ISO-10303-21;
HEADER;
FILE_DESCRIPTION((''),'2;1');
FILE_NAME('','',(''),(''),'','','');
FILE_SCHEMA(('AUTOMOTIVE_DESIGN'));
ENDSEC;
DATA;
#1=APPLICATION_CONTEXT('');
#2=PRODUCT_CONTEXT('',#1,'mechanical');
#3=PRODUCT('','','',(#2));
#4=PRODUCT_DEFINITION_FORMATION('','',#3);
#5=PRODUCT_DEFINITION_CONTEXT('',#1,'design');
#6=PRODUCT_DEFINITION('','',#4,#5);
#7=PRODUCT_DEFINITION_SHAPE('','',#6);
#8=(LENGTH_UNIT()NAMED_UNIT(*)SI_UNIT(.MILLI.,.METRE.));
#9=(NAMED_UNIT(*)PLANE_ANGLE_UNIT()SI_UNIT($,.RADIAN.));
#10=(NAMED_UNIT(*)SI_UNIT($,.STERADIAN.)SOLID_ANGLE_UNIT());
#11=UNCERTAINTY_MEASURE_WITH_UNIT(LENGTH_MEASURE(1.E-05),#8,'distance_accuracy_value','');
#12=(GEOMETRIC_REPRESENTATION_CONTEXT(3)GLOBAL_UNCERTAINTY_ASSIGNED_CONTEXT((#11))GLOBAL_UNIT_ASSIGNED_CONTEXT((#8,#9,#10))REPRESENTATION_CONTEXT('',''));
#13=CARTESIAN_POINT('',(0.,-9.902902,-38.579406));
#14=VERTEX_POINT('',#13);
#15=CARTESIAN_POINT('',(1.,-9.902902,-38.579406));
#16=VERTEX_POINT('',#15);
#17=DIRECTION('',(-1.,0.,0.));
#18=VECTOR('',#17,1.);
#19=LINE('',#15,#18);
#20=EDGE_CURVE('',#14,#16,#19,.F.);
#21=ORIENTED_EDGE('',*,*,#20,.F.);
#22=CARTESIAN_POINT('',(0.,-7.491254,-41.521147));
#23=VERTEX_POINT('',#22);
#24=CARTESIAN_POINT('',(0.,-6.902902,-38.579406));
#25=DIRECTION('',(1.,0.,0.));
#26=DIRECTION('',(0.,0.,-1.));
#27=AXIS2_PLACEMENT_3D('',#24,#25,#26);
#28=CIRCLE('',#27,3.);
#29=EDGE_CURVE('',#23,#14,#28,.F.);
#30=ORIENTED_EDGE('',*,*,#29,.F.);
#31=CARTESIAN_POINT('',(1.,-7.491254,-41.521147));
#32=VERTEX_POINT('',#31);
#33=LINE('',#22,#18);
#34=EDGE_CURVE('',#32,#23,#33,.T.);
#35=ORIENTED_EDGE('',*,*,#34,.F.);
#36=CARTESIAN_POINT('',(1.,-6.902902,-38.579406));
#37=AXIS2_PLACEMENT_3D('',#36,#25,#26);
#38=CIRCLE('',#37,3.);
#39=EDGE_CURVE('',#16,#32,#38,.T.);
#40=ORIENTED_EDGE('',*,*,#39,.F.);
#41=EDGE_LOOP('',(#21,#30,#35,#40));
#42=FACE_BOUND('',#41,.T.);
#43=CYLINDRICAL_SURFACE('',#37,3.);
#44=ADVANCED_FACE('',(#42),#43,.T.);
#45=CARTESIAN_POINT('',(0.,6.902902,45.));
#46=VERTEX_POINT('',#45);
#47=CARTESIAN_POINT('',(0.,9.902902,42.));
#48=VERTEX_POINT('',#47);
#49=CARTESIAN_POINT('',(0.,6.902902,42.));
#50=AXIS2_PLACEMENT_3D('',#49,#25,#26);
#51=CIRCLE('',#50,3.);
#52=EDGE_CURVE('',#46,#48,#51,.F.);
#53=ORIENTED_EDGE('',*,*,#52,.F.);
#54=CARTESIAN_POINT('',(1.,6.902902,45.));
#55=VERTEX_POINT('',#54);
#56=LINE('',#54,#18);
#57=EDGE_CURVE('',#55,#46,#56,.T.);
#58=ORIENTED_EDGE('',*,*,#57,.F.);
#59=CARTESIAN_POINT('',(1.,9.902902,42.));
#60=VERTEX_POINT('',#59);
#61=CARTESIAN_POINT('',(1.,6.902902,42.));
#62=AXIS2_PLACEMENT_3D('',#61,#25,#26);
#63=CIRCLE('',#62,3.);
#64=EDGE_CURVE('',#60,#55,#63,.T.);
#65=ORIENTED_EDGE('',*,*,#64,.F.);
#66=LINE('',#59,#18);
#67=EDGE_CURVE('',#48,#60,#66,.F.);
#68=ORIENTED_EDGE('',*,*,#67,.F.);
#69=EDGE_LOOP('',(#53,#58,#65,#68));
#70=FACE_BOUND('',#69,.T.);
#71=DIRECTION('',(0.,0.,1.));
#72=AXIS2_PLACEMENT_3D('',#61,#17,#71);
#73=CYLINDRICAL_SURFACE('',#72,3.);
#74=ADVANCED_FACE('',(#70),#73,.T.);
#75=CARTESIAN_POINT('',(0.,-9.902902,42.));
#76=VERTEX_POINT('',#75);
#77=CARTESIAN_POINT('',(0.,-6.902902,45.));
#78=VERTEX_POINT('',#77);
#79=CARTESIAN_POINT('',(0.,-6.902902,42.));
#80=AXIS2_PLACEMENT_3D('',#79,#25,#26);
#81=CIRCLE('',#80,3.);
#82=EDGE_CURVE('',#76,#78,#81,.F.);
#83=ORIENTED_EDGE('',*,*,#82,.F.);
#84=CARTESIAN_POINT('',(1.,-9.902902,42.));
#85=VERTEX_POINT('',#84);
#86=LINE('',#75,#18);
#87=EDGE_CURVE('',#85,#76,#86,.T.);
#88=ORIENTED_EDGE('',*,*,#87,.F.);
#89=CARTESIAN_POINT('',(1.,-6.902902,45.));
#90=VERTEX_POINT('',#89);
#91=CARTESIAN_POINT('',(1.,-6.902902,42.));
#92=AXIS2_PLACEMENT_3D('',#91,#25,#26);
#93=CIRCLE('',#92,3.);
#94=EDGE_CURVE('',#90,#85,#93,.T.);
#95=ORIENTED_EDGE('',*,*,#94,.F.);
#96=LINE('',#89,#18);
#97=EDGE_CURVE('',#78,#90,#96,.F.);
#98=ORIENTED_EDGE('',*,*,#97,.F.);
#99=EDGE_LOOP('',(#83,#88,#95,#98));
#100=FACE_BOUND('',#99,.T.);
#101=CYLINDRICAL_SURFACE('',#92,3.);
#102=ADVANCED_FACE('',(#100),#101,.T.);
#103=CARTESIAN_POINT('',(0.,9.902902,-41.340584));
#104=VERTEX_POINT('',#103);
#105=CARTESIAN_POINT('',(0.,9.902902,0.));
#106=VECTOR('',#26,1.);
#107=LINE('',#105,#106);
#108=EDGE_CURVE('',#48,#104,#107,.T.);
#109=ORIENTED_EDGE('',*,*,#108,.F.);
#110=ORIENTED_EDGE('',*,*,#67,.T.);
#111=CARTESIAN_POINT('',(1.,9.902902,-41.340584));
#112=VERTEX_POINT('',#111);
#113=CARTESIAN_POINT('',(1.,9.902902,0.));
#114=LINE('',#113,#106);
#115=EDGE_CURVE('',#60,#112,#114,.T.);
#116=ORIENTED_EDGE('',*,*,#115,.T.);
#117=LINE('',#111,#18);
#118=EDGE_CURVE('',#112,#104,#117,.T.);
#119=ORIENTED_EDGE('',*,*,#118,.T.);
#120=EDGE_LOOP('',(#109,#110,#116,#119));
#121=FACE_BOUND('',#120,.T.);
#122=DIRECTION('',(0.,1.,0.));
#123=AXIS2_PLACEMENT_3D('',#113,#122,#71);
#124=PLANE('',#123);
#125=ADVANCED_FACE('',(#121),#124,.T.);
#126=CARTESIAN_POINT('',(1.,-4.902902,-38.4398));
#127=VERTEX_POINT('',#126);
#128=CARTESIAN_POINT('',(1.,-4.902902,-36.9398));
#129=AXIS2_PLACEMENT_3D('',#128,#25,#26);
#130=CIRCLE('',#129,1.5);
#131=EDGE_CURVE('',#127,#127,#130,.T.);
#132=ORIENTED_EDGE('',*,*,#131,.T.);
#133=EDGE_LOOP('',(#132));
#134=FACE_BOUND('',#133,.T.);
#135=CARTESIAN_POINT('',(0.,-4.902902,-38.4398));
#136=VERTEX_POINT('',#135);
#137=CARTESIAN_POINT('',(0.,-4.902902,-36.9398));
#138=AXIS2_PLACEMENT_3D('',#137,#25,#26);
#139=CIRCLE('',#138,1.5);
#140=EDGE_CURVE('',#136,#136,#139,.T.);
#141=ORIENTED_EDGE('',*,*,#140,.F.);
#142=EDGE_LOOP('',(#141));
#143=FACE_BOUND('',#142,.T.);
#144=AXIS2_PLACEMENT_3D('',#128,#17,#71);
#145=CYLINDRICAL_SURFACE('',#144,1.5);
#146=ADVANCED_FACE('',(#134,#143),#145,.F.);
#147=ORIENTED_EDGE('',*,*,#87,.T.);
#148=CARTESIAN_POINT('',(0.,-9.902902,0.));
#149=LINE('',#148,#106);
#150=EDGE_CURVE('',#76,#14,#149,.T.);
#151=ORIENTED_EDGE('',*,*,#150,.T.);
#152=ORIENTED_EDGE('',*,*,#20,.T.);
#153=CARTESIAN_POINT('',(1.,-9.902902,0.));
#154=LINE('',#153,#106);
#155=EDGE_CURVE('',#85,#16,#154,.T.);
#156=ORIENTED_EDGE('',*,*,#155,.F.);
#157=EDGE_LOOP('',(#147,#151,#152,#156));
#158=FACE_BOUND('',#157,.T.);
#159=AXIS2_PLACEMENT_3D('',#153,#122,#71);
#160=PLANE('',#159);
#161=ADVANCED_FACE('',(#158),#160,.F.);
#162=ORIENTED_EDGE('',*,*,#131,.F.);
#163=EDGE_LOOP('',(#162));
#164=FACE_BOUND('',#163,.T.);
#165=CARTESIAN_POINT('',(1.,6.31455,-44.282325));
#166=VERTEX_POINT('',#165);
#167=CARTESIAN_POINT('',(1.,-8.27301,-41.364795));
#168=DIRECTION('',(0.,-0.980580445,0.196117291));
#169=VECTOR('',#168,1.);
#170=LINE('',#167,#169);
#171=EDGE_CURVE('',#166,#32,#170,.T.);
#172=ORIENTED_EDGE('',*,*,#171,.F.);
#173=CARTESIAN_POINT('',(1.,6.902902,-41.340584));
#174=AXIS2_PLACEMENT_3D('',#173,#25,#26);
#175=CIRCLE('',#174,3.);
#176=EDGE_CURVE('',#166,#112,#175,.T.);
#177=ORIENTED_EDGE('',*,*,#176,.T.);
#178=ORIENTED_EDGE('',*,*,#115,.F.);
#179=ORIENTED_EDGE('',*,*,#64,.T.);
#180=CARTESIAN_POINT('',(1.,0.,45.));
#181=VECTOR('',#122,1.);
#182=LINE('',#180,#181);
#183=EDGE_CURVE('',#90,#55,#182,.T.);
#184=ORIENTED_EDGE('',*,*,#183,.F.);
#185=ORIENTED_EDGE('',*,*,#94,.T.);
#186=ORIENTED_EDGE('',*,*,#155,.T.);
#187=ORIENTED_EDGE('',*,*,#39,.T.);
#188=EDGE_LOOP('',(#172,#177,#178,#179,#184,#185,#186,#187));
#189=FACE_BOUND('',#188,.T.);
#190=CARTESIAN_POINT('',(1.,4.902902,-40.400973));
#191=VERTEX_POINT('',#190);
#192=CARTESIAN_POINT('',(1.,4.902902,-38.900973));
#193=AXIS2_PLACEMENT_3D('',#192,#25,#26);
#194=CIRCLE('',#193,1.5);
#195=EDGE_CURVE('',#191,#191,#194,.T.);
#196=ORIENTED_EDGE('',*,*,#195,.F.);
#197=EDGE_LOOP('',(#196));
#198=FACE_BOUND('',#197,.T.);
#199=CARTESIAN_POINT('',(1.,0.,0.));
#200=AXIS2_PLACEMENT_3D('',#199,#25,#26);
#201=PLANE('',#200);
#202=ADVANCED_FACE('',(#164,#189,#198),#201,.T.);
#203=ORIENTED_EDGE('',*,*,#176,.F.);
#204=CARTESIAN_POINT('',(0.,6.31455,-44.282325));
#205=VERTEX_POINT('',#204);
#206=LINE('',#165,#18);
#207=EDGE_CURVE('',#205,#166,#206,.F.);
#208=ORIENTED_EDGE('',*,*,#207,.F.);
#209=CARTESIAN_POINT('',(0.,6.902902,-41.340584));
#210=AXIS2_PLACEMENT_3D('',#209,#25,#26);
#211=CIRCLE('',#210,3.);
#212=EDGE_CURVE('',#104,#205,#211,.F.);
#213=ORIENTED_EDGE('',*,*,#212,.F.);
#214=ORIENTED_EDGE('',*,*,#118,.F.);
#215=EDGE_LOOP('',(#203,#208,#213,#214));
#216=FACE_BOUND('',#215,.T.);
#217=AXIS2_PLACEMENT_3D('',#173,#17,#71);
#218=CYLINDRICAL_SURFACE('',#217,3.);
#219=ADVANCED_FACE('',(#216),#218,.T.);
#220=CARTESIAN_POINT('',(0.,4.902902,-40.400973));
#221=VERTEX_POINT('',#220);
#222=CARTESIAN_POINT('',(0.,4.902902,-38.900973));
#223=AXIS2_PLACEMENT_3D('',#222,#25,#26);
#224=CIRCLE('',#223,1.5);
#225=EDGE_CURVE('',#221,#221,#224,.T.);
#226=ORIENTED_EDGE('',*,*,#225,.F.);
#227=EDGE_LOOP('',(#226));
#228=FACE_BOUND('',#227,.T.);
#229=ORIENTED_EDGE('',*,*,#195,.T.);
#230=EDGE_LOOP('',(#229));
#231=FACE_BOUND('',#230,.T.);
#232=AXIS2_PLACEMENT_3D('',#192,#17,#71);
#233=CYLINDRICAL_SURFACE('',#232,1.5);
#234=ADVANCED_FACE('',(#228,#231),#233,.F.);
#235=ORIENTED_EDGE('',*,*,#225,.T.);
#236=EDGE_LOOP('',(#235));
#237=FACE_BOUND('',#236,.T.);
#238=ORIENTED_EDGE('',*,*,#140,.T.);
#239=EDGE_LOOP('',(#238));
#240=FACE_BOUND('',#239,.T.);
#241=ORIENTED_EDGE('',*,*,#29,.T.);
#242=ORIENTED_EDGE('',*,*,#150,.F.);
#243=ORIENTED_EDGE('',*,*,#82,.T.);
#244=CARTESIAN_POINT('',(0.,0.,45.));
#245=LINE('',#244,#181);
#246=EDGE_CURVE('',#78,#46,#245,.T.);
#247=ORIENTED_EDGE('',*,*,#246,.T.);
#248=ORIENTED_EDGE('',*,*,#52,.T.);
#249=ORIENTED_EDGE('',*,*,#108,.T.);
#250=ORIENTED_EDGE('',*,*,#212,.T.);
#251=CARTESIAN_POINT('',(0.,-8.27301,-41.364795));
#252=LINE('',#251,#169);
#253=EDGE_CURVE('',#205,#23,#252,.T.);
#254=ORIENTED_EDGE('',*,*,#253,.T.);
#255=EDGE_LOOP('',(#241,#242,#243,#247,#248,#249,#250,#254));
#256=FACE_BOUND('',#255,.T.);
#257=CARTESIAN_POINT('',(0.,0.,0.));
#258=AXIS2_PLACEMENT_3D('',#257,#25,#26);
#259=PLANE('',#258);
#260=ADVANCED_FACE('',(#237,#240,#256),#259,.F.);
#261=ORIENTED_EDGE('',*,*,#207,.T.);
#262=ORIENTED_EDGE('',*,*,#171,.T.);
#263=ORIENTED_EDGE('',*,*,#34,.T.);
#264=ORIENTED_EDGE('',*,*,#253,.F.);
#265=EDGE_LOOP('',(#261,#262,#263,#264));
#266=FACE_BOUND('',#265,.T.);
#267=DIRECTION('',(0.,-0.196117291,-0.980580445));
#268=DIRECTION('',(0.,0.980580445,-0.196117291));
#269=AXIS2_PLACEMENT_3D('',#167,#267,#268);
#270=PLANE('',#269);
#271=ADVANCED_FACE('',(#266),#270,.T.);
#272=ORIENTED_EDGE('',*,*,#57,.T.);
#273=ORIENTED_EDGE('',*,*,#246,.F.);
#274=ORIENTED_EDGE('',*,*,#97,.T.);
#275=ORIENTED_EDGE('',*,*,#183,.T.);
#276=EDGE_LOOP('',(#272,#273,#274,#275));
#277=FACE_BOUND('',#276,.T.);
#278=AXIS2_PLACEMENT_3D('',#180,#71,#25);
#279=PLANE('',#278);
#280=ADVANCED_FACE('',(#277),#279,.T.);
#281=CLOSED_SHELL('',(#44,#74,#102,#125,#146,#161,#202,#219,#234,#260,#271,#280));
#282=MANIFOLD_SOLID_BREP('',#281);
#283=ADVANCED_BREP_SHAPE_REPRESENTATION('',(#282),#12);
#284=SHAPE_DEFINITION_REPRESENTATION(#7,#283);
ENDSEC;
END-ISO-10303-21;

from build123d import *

# Parameters (mm, degrees)
SKETCH_1_R      = 1.5
EXTRUDE_1_DEPTH = 1
FILLET_1_R      = 3


with BuildPart() as part:
    # ｽｹｯﾁ1 → ﾎﾞｽ - 押し出し1 (new body)
    with BuildSketch(Plane(origin=(0, 0, 0), x_dir=(0, 0, -1), z_dir=(1, 0, 0))):
        Polygon((-45, 9.902902223), (-45, -9.902902223), (41.038814835, -9.902902223), (45, 9.902902223), align=None)
        with Locations((36.939800248, -4.902902223)):
            Circle(SKETCH_1_R, mode=Mode.SUBTRACT)
        with Locations((38.900973156, 4.902902223)):
            Circle(SKETCH_1_R, mode=Mode.SUBTRACT)
    extrude(amount=EXTRUDE_1_DEPTH)

    # ﾌｨﾚｯﾄ1
    fillet_1_edges = [part.edges().sort_by_distance(p)[0] for p in [
        (0.5, -9.902902223, -41.038814835),
        (0.5, -9.902902223, 45),
        (0.5, 9.902902223, 45),
        (0.5, 9.902902223, -45),
    ]]
    fillet(fillet_1_edges, radius=FILLET_1_R)


solid = part.part
